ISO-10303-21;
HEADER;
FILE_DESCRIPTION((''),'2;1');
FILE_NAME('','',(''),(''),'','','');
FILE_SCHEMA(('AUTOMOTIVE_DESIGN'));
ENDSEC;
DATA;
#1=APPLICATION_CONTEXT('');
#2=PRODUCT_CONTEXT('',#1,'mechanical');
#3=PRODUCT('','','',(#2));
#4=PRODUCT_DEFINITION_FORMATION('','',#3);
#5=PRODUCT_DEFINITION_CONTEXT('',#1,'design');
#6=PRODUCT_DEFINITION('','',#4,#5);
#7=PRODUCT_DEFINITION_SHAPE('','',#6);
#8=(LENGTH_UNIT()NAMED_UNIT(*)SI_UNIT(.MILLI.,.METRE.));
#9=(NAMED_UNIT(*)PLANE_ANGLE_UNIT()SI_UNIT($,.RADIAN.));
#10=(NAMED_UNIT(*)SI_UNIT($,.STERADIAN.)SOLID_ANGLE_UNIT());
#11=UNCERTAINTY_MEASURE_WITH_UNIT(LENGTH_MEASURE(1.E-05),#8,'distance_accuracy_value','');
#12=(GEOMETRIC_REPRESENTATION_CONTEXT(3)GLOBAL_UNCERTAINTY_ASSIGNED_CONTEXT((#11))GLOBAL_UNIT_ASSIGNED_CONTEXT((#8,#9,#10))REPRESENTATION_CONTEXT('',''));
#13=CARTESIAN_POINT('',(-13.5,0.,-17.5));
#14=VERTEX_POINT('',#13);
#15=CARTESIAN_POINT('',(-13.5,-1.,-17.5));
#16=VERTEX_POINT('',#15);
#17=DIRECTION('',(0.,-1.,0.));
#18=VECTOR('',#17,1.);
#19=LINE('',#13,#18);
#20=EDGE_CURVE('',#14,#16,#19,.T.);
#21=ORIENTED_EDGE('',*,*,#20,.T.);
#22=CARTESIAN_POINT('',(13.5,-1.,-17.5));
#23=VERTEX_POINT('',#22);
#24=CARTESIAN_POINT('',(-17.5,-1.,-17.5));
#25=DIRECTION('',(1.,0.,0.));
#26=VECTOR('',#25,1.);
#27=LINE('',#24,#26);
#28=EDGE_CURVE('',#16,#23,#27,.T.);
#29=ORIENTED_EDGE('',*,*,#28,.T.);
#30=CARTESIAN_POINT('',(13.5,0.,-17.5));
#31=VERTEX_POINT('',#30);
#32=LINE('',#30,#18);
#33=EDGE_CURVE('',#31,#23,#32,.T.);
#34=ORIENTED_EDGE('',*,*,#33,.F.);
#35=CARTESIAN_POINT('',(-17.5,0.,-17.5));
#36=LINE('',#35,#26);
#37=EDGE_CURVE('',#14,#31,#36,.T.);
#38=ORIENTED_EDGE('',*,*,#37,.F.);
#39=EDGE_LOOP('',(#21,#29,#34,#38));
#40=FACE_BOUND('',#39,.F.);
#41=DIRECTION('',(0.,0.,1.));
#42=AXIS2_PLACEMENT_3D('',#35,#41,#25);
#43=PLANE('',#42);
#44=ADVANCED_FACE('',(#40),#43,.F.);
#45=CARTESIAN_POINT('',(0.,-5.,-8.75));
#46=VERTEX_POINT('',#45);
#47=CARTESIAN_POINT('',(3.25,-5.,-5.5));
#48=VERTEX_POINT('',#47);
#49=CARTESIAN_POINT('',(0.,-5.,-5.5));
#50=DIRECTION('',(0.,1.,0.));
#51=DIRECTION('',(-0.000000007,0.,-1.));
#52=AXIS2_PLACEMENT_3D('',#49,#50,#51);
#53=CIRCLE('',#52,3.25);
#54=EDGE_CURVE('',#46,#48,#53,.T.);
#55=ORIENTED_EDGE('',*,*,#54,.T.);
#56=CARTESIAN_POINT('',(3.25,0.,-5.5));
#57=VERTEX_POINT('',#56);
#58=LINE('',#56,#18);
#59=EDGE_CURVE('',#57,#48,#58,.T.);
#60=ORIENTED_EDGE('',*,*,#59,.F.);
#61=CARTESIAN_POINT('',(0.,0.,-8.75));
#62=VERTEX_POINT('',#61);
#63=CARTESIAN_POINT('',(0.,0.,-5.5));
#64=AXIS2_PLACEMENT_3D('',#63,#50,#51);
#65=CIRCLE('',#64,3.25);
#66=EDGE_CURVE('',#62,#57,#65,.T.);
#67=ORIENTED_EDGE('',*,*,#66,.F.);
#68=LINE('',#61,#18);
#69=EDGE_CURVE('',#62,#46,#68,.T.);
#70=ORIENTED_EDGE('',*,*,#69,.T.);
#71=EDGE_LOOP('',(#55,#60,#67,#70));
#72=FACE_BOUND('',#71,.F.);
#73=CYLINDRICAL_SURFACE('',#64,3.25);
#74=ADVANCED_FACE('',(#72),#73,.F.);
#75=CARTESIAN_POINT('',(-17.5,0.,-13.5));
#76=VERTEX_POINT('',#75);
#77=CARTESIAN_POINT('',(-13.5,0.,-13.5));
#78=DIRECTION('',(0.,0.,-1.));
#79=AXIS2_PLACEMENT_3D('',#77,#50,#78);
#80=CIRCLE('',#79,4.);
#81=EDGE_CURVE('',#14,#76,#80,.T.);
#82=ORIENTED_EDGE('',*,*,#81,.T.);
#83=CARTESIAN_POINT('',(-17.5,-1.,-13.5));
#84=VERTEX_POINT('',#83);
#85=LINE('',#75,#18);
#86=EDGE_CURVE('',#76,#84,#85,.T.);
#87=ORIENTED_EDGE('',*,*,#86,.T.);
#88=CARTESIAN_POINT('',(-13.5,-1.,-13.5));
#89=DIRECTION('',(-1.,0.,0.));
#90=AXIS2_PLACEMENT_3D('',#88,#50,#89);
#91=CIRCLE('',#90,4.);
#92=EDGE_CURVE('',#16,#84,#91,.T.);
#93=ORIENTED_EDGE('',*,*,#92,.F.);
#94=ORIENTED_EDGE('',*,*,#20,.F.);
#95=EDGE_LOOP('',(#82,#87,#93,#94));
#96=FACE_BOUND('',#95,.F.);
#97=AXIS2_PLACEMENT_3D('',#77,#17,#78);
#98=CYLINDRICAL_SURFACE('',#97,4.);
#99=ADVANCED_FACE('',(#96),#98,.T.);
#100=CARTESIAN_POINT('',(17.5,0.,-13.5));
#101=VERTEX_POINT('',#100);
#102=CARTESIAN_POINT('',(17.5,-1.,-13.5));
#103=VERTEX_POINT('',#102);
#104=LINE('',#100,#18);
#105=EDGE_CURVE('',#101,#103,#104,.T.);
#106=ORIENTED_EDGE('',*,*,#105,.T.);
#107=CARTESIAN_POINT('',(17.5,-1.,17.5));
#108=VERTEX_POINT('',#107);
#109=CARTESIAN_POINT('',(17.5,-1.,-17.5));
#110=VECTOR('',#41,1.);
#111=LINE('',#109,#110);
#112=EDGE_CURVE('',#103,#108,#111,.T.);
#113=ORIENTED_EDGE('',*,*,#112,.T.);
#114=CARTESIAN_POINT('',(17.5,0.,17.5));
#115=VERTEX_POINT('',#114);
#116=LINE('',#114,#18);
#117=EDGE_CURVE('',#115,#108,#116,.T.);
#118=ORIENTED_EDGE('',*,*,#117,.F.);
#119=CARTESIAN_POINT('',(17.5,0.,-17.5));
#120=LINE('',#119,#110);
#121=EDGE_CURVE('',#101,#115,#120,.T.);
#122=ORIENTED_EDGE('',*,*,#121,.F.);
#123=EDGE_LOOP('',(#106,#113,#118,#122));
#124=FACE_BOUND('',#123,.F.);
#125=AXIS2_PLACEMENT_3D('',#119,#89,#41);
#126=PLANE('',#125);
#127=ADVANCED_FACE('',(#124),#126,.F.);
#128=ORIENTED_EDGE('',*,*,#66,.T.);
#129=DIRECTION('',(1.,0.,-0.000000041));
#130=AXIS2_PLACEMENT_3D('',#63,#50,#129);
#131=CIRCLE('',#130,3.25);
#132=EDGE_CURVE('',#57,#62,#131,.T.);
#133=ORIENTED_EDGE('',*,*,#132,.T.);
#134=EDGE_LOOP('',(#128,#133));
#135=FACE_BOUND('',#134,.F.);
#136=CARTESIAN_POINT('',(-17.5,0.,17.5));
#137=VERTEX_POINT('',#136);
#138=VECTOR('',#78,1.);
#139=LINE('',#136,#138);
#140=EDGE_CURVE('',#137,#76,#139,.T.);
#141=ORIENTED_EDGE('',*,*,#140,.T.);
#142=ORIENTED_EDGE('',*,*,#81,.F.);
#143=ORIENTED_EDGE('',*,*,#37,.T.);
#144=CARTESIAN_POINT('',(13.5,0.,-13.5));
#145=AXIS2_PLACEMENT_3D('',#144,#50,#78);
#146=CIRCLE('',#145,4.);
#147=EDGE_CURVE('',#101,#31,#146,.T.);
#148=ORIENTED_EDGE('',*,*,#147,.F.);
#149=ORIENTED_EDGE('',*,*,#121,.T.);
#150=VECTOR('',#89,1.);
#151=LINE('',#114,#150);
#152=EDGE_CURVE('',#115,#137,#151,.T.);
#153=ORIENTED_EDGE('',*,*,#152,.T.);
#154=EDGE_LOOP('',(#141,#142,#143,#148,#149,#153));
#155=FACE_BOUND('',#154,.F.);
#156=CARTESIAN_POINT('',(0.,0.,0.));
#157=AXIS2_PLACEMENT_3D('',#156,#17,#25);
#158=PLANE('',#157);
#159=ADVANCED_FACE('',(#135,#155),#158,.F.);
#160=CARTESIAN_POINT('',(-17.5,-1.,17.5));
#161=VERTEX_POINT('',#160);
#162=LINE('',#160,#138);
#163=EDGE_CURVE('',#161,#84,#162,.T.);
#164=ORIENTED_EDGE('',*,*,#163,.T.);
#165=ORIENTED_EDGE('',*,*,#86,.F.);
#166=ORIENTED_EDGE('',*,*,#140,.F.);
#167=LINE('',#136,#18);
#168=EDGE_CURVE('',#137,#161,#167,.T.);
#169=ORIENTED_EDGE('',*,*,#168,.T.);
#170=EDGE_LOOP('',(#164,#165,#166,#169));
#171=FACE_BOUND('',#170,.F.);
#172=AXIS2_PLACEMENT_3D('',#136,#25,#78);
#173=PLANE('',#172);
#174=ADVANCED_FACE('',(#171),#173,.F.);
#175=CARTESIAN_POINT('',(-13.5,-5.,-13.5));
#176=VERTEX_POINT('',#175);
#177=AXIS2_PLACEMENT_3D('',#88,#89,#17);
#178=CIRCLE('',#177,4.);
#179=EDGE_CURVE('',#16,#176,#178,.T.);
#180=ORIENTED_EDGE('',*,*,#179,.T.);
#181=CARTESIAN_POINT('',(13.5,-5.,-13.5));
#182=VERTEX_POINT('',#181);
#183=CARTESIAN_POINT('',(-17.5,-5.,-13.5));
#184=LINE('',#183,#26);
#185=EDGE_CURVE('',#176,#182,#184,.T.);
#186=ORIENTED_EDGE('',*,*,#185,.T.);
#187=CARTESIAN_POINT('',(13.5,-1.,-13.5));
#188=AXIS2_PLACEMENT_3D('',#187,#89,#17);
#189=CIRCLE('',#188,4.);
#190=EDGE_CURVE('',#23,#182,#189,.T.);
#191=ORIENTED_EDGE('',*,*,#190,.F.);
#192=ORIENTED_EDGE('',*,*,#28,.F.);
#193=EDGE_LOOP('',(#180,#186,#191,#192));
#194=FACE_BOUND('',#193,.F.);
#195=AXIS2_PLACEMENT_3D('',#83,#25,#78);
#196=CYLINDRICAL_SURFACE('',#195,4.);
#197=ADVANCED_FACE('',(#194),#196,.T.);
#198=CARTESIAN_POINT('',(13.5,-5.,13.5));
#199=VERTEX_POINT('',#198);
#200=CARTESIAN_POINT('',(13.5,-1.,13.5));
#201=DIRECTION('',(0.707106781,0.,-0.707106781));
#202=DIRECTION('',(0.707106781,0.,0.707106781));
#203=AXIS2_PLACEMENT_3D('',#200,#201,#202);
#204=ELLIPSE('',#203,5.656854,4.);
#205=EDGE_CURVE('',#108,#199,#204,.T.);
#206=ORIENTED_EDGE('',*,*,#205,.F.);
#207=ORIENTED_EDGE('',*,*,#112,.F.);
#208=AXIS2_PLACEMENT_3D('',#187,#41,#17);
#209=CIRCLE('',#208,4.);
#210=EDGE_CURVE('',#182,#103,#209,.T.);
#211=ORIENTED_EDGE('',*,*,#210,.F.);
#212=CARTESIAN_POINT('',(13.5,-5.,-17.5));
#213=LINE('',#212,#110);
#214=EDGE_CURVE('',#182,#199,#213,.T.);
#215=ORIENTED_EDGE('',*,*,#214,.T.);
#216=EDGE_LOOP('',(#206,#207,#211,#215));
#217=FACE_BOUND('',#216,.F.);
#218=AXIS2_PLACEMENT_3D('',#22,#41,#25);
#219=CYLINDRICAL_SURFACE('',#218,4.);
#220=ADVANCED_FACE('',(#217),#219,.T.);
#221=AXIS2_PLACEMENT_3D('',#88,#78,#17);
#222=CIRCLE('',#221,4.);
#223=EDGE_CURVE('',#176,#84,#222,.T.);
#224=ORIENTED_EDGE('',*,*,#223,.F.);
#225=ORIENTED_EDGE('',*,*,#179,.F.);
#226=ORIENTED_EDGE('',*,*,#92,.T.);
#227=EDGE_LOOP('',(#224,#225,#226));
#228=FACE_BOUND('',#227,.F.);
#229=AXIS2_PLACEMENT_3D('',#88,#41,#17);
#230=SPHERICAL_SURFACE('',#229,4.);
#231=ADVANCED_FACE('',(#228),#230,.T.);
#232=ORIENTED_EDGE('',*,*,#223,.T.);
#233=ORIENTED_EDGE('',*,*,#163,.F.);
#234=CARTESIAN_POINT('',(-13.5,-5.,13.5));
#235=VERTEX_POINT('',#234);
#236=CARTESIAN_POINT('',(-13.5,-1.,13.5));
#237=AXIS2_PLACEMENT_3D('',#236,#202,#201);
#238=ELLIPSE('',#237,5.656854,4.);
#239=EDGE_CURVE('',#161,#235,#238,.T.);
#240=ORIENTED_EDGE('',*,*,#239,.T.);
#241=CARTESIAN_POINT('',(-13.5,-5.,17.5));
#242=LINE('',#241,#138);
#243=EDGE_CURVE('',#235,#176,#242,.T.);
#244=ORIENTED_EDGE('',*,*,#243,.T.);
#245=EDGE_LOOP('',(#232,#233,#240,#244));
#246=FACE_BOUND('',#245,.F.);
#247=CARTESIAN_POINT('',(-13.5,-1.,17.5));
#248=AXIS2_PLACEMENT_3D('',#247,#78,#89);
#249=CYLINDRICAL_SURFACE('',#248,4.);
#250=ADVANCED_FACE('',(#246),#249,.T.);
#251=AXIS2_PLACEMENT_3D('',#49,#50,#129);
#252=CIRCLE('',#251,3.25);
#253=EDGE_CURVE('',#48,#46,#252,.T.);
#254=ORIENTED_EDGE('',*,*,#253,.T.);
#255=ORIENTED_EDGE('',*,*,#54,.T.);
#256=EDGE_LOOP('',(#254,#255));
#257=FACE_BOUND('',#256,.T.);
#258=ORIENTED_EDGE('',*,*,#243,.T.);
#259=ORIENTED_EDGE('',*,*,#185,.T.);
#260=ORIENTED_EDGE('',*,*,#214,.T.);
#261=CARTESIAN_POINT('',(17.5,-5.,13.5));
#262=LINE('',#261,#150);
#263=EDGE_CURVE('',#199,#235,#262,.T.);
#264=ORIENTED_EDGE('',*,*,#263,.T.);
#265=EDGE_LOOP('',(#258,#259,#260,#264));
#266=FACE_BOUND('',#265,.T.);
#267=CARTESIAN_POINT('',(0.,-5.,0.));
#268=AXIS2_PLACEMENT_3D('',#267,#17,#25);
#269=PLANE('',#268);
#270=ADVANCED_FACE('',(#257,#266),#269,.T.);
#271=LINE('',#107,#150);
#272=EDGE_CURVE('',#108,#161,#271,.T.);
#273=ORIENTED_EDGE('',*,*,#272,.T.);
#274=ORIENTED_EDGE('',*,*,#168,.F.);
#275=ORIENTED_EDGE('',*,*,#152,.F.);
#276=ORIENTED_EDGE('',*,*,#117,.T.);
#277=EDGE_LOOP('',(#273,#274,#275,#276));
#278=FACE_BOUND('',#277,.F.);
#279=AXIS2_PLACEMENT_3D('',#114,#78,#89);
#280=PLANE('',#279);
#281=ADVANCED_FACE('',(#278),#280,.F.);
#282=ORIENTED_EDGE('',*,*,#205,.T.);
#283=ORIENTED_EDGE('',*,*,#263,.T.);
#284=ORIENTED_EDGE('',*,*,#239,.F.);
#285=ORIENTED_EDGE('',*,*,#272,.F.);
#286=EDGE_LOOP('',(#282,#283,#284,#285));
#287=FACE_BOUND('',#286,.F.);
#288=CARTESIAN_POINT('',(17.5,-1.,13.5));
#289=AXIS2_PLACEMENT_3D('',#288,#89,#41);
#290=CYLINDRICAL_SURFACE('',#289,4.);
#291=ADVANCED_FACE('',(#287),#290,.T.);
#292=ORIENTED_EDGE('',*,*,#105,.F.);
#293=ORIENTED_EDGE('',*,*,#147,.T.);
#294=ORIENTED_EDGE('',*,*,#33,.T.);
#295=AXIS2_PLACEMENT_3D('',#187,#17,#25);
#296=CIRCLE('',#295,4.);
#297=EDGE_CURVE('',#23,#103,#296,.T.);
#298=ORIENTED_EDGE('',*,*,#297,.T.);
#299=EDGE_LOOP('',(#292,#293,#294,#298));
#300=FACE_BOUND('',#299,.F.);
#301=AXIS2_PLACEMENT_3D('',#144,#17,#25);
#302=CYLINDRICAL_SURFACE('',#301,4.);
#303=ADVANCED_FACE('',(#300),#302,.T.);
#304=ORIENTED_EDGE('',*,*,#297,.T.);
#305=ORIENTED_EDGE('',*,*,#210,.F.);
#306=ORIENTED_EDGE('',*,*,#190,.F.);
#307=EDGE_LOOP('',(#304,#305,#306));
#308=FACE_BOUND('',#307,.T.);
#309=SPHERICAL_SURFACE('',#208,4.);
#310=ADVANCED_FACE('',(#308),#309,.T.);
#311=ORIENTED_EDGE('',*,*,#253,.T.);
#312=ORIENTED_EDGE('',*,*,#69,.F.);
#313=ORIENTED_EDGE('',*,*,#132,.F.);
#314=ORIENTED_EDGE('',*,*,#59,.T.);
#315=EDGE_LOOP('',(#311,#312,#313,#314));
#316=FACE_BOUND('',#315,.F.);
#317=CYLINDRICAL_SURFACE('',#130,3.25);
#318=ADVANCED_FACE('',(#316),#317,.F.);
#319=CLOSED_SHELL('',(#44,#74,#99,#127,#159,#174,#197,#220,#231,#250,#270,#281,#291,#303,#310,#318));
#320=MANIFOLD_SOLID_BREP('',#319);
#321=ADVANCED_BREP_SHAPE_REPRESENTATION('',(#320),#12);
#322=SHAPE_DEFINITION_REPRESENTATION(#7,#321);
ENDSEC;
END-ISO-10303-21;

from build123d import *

# Parameters (mm, degrees)
F1_DEPTH = 5
F2_R     = 4


with BuildPart() as f1:
    # F0 (on Front) → F1 (new body)
    with BuildSketch(Plane.XZ):
        Polygon((0, -17.5), (17.5, -17.5), (17.5, 17.5), (-17.5, 17.5), (-17.5, -17.5), align=None)
        with BuildLine():
            ThreePointArc((3.25, -5.5), (2.298097, -7.798097), (0, -8.75))
            ThreePointArc((0, -8.75), (-2.298097, -3.201903), (3.25, -5.5))
        make_face(mode=Mode.SUBTRACT)
    extrude(amount=F1_DEPTH)

    # F2
    f2_edges = [f1.edges().sort_by_distance(p)[0] for p in [
        (-17.5, -5, 0),
        (17.5, -5, 0),
        (0, -5, -17.5),
        (0, -5, 17.5),
        (-17.5, -2.5, -17.5),
        (17.5, -2.5, -17.5),
    ]]
    fillet(f2_edges, radius=F2_R)


solid = f1.part
